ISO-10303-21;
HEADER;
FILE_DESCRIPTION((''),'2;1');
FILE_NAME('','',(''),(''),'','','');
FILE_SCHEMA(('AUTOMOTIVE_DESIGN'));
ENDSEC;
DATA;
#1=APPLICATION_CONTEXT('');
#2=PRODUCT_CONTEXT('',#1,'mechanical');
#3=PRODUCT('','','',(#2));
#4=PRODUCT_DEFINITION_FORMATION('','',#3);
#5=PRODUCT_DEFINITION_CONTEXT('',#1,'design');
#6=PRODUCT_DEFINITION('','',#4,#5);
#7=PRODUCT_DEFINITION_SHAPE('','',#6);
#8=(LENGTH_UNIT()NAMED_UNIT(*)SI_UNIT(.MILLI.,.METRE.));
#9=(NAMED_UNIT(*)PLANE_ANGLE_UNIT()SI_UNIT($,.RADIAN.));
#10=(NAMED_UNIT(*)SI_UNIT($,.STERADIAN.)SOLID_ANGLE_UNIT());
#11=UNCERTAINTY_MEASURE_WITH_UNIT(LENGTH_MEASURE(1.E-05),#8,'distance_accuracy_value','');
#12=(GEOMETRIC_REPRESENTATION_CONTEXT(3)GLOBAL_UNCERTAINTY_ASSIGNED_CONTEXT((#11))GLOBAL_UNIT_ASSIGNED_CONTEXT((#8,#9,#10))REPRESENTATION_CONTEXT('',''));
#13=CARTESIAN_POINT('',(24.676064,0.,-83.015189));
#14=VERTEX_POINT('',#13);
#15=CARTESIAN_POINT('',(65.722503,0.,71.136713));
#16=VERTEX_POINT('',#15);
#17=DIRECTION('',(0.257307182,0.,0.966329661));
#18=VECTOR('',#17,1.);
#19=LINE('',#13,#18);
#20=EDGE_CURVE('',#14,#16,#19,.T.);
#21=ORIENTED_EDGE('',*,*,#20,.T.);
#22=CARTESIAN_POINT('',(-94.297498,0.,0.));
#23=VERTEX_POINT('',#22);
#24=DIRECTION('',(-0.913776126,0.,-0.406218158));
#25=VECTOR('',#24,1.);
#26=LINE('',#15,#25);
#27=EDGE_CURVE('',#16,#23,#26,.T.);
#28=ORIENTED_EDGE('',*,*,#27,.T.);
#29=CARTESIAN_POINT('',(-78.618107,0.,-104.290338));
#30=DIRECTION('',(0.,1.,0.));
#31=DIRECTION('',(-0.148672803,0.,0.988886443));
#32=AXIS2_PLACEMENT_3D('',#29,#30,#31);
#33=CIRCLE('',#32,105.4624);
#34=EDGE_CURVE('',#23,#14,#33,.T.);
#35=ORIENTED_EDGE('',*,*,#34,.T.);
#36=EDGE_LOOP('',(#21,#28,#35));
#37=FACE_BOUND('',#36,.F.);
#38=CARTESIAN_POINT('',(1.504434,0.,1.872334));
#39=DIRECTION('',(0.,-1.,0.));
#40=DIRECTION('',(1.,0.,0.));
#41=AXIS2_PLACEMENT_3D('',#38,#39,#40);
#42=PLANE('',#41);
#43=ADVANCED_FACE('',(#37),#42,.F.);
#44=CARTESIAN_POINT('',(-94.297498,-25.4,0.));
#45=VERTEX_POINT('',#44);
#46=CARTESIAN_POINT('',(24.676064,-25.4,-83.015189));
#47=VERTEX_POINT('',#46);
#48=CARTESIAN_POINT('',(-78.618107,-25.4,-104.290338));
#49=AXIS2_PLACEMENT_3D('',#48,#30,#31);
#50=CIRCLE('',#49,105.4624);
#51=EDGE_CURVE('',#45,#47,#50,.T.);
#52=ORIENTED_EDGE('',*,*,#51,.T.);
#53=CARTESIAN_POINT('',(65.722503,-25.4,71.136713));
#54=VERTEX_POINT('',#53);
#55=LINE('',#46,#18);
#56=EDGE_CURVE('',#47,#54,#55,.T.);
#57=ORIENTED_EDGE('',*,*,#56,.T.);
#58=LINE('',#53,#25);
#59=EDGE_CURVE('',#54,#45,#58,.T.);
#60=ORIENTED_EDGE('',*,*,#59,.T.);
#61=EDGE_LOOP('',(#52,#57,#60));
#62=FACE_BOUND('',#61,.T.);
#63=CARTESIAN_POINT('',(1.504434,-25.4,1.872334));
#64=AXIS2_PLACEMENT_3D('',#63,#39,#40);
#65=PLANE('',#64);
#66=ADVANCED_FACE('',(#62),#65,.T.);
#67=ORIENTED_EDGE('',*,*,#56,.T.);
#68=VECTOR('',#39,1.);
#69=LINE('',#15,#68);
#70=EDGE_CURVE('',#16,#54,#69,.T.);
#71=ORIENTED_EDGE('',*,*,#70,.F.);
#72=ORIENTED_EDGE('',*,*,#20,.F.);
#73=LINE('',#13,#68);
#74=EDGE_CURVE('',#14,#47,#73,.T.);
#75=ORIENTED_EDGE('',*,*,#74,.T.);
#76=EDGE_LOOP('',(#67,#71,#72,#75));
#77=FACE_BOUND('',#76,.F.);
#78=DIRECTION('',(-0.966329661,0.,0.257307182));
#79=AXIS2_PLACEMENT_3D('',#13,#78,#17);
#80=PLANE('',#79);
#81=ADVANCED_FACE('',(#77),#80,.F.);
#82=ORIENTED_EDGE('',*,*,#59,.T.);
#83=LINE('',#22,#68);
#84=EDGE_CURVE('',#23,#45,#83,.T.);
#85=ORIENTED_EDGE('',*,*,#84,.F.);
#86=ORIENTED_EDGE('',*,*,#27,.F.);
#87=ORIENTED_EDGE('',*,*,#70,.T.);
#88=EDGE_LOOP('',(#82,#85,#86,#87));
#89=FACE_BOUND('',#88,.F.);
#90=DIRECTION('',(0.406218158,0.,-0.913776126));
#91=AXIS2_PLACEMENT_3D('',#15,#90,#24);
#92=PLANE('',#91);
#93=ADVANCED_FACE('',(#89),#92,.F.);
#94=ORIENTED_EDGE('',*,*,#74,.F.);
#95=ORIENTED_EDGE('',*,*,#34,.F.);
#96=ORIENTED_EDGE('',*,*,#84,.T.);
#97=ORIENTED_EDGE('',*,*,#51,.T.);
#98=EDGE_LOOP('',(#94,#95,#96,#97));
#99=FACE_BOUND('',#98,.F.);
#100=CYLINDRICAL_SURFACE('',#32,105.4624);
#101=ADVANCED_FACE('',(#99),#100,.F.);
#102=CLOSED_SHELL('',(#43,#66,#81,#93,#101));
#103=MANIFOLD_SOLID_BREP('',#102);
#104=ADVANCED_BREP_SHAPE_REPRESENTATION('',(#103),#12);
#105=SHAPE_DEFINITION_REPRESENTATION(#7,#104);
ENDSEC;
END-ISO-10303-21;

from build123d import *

# Parameters (mm, degrees)
F1_DEPTH = 25.4


with BuildPart() as f1:
    # F0 (on Front) → F1 (new body)
    with BuildSketch(Plane.XZ):
        with BuildLine():
            Line((24.676064, -83.015189), (65.722503, 71.136713))
            Line((65.722503, 71.136713), (-94.297498, 0))
            ThreePointArc((-94.297498, 0), (-18.269389, -17.801321), (24.676064, -83.015189))
        make_face()
    extrude(amount=F1_DEPTH)


solid = f1.part
